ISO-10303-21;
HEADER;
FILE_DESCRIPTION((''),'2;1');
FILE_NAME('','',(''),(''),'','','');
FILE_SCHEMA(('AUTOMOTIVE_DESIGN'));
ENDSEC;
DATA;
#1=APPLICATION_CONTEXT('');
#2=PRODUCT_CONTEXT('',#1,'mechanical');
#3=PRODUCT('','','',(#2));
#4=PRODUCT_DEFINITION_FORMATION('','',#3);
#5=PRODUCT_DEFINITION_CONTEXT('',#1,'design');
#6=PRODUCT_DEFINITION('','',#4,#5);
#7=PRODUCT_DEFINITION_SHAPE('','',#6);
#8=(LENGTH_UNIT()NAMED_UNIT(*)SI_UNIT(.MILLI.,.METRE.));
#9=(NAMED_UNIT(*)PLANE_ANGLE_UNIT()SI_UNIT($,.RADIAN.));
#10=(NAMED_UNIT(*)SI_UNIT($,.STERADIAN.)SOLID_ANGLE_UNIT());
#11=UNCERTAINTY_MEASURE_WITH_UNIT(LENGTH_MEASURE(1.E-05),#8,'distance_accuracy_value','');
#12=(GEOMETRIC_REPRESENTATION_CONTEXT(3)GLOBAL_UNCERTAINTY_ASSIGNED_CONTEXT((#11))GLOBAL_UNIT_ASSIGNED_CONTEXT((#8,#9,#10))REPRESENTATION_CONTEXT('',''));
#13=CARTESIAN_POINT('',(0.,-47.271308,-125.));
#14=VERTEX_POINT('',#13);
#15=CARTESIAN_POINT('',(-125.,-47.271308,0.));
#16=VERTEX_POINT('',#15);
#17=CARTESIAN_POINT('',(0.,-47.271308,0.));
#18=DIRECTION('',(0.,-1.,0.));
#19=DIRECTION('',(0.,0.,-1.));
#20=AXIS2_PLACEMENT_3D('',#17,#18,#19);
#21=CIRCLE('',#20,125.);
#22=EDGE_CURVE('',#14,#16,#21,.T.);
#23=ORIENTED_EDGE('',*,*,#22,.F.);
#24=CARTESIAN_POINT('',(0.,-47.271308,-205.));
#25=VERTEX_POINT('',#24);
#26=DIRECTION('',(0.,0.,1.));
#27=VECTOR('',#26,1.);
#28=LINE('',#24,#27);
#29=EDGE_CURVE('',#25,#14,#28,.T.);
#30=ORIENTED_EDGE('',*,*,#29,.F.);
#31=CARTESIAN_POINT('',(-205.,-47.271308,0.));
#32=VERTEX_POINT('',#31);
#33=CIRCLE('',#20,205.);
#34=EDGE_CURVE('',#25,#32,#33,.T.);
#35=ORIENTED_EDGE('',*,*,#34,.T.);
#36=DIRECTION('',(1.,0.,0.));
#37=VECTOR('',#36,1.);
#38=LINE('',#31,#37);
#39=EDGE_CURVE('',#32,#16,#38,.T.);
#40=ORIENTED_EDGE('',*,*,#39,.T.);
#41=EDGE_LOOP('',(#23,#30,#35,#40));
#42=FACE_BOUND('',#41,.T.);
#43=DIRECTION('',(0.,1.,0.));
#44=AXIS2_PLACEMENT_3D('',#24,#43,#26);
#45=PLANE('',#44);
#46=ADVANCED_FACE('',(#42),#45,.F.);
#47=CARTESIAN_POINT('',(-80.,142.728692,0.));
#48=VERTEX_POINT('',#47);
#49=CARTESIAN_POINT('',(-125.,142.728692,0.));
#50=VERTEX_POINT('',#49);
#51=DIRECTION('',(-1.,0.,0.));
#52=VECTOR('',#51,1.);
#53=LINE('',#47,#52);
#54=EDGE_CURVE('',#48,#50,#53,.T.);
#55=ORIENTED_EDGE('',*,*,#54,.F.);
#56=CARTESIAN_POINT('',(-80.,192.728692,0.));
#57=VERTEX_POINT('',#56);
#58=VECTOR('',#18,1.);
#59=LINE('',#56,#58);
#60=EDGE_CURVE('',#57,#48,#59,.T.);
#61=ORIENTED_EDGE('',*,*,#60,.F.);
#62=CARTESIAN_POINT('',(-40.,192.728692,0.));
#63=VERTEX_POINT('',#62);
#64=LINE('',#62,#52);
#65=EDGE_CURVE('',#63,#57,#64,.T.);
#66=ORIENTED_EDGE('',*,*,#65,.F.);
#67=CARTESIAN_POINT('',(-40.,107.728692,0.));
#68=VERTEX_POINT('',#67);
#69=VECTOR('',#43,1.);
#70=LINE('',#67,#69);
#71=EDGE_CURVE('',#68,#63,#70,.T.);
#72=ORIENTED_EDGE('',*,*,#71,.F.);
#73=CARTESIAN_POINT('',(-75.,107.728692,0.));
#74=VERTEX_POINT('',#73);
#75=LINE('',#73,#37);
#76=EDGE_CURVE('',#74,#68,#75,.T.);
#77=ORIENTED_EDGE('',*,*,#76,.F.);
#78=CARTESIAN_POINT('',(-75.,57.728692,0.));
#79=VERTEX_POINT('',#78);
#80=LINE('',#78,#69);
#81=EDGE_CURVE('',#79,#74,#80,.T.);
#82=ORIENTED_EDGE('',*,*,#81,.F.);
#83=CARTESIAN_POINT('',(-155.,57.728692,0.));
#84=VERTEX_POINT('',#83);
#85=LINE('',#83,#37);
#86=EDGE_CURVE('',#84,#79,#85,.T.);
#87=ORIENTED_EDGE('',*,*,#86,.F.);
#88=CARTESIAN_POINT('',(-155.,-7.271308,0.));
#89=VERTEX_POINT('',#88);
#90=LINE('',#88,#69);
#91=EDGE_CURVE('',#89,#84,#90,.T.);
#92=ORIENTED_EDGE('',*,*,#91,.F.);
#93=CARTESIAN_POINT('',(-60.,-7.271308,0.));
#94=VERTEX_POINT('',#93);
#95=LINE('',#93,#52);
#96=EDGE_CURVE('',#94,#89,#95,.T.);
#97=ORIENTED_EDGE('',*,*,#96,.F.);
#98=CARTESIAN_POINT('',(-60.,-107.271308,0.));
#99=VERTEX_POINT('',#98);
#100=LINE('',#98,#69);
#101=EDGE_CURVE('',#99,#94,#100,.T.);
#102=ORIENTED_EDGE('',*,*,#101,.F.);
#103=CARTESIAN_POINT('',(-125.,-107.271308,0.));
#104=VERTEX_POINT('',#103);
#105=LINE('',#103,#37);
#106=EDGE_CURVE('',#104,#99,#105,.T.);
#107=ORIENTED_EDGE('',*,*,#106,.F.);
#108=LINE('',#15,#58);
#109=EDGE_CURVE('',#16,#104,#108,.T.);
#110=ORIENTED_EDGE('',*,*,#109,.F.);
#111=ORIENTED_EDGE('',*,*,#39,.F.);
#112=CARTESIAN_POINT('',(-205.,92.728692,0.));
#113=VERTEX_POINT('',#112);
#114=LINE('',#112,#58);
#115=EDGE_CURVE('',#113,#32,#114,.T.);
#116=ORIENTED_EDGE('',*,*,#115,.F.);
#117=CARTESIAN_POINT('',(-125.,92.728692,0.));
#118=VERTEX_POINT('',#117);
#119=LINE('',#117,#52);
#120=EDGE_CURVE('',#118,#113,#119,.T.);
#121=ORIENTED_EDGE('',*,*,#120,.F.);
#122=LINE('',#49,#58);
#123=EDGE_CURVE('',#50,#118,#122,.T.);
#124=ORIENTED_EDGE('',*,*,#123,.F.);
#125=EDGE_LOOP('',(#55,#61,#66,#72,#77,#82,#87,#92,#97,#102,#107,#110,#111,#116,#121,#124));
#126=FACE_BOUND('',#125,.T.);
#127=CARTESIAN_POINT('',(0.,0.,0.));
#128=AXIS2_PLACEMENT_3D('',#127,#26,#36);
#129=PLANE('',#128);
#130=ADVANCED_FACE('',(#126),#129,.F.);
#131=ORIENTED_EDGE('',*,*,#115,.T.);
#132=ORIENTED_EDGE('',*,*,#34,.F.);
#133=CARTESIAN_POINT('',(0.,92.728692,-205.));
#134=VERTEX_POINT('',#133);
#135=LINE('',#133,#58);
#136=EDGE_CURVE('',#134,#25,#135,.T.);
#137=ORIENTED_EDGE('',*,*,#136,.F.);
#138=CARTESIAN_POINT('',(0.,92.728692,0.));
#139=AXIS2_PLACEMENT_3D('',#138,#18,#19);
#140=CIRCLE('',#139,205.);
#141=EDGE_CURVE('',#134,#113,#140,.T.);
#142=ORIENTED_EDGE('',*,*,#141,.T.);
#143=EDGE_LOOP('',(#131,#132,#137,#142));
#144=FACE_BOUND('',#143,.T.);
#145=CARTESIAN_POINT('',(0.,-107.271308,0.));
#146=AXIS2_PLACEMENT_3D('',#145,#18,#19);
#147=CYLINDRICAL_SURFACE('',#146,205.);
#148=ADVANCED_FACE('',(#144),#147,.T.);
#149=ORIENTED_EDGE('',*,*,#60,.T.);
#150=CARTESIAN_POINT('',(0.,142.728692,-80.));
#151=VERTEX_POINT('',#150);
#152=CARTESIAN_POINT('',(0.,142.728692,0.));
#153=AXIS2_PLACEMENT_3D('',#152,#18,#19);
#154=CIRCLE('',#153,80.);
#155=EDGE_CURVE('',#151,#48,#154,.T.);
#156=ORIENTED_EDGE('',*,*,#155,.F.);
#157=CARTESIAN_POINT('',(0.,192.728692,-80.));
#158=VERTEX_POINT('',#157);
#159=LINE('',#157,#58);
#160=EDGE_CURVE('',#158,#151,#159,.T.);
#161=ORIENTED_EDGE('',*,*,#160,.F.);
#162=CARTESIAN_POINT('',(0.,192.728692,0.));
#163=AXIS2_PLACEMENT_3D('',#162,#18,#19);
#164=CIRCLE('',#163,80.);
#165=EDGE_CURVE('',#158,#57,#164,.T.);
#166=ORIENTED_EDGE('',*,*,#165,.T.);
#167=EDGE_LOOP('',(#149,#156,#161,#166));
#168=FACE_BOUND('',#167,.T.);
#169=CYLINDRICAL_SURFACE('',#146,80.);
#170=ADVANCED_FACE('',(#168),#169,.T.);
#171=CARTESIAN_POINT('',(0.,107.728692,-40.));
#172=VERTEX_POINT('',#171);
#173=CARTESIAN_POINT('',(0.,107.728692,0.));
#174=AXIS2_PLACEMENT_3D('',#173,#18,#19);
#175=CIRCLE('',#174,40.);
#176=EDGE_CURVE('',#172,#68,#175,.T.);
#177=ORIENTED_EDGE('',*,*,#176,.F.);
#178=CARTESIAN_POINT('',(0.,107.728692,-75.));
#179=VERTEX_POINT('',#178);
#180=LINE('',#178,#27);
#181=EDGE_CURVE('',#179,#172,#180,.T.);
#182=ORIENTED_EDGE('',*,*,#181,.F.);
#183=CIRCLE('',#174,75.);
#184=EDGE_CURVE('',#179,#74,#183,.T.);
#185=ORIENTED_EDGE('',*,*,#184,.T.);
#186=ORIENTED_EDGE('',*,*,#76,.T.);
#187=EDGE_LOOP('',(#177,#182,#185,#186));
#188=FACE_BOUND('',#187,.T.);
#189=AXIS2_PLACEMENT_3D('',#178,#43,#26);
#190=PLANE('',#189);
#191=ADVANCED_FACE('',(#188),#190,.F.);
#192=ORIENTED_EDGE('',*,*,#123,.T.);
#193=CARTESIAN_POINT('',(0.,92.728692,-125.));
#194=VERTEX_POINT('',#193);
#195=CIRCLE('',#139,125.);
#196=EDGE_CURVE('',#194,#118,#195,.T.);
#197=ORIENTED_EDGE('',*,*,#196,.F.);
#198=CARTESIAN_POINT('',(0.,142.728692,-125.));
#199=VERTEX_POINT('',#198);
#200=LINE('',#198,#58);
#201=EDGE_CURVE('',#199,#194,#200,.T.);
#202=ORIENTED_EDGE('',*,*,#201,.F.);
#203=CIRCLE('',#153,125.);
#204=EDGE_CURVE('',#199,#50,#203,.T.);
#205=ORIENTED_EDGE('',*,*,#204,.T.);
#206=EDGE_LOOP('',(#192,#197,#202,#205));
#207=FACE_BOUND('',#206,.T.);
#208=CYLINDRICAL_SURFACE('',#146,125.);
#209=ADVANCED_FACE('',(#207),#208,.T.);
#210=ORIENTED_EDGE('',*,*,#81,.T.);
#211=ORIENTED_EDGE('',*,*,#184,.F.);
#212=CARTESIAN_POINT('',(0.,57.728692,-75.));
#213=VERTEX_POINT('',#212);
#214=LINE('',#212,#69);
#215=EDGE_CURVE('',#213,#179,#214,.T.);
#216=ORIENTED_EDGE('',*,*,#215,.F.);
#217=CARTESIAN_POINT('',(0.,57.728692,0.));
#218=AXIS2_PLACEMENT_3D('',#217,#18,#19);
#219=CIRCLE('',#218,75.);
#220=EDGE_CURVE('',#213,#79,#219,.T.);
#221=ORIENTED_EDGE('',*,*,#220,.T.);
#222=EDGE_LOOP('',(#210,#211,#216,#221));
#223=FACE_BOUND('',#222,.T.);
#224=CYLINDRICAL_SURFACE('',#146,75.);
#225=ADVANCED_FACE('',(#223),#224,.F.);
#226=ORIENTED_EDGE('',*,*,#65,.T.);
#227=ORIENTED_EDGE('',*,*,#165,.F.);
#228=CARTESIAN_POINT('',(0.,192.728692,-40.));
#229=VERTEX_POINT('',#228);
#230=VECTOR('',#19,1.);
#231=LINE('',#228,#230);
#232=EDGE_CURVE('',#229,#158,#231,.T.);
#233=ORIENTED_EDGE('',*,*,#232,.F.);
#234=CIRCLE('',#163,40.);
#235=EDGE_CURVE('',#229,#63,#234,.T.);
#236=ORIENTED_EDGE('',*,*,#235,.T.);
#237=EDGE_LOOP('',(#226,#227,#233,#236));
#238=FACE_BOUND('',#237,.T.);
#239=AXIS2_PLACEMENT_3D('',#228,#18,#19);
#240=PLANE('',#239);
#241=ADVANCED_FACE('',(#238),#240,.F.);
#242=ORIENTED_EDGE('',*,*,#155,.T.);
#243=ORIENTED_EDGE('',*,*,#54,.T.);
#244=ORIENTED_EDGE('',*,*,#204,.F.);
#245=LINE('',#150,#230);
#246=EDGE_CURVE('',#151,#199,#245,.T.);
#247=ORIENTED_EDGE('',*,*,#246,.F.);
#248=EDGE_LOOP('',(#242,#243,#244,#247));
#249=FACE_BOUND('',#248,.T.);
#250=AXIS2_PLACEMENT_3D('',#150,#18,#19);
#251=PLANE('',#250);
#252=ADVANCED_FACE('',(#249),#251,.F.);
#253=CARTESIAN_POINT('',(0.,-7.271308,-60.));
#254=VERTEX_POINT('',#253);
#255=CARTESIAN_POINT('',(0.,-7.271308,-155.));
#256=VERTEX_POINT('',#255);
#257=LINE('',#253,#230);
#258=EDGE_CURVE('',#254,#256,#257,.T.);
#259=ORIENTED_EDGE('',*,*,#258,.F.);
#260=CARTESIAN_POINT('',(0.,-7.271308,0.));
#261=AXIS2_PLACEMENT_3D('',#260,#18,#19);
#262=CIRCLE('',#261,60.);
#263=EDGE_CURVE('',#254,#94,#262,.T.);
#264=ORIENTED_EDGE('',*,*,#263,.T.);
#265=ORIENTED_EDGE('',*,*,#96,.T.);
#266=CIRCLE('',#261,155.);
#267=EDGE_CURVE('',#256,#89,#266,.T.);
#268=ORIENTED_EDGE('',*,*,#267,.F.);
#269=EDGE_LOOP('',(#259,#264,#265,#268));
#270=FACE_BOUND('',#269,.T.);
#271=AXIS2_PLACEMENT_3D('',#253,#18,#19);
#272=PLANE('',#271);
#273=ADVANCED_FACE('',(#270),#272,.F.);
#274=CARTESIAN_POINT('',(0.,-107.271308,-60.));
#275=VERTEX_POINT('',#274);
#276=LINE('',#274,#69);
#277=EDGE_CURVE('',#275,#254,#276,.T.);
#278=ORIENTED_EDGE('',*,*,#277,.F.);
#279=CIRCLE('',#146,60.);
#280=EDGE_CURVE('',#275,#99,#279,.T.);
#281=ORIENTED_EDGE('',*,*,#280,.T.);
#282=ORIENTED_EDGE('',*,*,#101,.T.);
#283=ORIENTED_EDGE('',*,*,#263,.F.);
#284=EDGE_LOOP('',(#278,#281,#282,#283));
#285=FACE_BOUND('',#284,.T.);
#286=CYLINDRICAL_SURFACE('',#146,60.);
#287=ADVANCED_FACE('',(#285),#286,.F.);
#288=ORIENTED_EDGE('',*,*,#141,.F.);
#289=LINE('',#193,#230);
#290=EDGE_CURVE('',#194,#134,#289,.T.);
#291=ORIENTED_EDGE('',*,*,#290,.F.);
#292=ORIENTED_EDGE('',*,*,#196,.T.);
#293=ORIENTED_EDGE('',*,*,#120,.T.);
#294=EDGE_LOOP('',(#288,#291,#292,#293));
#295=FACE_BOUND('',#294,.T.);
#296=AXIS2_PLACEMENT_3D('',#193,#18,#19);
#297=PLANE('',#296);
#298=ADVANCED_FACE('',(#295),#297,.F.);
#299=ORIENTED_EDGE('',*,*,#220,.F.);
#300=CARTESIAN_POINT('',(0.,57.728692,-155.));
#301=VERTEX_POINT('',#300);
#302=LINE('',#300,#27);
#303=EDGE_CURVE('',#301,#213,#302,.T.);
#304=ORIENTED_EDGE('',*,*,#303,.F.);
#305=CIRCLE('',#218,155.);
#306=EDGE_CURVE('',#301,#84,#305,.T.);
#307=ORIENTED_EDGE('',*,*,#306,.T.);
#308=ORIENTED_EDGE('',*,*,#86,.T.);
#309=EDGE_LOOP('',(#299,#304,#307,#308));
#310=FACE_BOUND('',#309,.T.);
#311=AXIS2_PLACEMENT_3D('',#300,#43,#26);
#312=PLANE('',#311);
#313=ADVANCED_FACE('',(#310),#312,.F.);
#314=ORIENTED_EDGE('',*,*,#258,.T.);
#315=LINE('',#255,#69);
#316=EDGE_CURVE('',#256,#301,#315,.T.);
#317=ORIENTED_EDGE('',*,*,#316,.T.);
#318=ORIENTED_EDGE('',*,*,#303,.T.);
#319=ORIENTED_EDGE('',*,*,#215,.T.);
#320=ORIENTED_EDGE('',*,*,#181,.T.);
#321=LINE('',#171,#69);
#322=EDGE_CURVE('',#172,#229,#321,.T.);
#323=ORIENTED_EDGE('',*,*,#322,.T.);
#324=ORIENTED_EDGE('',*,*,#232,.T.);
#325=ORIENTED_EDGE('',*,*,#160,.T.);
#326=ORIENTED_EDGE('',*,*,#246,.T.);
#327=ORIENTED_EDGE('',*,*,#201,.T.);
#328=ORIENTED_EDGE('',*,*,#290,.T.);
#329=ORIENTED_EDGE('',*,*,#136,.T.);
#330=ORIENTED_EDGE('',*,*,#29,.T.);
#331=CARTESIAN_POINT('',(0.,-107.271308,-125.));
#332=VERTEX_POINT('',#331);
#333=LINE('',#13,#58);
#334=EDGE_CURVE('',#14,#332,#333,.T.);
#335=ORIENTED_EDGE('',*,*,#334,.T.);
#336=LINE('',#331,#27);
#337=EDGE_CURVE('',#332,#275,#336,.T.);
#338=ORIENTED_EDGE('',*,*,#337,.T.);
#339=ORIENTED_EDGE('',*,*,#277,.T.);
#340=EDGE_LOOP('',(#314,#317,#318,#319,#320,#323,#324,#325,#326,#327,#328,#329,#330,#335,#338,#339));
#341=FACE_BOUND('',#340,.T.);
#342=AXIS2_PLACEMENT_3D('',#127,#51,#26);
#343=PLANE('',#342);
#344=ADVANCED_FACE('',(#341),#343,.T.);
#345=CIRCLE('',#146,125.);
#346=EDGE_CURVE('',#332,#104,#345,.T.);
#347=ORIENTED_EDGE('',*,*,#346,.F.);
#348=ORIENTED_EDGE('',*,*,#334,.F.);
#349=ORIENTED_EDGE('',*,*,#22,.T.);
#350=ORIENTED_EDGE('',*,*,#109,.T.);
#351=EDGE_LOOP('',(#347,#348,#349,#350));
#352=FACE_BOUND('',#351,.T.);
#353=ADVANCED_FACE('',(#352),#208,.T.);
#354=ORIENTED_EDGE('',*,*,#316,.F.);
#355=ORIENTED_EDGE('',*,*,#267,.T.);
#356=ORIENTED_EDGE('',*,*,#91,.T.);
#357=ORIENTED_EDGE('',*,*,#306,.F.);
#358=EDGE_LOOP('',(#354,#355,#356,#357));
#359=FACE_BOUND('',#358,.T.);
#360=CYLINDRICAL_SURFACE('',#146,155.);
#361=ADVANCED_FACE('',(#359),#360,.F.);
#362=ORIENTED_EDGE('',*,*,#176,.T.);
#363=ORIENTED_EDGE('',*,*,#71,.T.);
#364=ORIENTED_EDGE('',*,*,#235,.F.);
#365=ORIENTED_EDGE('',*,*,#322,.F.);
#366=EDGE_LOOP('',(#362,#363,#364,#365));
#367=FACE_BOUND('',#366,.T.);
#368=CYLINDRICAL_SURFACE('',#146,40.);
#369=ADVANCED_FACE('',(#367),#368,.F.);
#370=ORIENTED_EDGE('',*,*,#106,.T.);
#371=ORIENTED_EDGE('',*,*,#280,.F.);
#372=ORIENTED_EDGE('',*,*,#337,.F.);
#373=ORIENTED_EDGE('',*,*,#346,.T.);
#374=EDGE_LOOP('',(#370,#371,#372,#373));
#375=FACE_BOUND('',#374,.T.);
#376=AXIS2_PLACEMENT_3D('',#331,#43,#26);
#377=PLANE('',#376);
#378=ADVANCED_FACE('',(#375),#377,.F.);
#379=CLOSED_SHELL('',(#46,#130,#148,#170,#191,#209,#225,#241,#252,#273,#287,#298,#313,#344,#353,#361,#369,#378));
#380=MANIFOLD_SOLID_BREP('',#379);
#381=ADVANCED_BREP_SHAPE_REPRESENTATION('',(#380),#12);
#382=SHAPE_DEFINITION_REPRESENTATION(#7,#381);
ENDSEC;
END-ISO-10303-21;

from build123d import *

# Parameters (mm, degrees)
REVOLVE1_ANGLE = 270


with BuildPart() as part:
    # Sketch1 → Revolve1 (revolve)
    with BuildSketch(Plane.XY):
        Polygon((-40, 192.728692059), (-80, 192.728692059), (-80, 142.728692059), (-125, 142.728692059), (-125, 92.728692059), (-205, 92.728692059), (-205, -47.271307941), (-125, -47.271307941), (-125, -107.271307941), (-60, -107.271307941), (-60, -7.271307941), (-155, -7.271307941), (-155, 57.728692059), (-75, 57.728692059), (-75, 107.728692059), (-40, 107.728692059), align=None)
    revolve(axis=Axis((0, -107.271307941, 0), (0, 1, 0)), revolution_arc=REVOLVE1_ANGLE)


solid = part.part
